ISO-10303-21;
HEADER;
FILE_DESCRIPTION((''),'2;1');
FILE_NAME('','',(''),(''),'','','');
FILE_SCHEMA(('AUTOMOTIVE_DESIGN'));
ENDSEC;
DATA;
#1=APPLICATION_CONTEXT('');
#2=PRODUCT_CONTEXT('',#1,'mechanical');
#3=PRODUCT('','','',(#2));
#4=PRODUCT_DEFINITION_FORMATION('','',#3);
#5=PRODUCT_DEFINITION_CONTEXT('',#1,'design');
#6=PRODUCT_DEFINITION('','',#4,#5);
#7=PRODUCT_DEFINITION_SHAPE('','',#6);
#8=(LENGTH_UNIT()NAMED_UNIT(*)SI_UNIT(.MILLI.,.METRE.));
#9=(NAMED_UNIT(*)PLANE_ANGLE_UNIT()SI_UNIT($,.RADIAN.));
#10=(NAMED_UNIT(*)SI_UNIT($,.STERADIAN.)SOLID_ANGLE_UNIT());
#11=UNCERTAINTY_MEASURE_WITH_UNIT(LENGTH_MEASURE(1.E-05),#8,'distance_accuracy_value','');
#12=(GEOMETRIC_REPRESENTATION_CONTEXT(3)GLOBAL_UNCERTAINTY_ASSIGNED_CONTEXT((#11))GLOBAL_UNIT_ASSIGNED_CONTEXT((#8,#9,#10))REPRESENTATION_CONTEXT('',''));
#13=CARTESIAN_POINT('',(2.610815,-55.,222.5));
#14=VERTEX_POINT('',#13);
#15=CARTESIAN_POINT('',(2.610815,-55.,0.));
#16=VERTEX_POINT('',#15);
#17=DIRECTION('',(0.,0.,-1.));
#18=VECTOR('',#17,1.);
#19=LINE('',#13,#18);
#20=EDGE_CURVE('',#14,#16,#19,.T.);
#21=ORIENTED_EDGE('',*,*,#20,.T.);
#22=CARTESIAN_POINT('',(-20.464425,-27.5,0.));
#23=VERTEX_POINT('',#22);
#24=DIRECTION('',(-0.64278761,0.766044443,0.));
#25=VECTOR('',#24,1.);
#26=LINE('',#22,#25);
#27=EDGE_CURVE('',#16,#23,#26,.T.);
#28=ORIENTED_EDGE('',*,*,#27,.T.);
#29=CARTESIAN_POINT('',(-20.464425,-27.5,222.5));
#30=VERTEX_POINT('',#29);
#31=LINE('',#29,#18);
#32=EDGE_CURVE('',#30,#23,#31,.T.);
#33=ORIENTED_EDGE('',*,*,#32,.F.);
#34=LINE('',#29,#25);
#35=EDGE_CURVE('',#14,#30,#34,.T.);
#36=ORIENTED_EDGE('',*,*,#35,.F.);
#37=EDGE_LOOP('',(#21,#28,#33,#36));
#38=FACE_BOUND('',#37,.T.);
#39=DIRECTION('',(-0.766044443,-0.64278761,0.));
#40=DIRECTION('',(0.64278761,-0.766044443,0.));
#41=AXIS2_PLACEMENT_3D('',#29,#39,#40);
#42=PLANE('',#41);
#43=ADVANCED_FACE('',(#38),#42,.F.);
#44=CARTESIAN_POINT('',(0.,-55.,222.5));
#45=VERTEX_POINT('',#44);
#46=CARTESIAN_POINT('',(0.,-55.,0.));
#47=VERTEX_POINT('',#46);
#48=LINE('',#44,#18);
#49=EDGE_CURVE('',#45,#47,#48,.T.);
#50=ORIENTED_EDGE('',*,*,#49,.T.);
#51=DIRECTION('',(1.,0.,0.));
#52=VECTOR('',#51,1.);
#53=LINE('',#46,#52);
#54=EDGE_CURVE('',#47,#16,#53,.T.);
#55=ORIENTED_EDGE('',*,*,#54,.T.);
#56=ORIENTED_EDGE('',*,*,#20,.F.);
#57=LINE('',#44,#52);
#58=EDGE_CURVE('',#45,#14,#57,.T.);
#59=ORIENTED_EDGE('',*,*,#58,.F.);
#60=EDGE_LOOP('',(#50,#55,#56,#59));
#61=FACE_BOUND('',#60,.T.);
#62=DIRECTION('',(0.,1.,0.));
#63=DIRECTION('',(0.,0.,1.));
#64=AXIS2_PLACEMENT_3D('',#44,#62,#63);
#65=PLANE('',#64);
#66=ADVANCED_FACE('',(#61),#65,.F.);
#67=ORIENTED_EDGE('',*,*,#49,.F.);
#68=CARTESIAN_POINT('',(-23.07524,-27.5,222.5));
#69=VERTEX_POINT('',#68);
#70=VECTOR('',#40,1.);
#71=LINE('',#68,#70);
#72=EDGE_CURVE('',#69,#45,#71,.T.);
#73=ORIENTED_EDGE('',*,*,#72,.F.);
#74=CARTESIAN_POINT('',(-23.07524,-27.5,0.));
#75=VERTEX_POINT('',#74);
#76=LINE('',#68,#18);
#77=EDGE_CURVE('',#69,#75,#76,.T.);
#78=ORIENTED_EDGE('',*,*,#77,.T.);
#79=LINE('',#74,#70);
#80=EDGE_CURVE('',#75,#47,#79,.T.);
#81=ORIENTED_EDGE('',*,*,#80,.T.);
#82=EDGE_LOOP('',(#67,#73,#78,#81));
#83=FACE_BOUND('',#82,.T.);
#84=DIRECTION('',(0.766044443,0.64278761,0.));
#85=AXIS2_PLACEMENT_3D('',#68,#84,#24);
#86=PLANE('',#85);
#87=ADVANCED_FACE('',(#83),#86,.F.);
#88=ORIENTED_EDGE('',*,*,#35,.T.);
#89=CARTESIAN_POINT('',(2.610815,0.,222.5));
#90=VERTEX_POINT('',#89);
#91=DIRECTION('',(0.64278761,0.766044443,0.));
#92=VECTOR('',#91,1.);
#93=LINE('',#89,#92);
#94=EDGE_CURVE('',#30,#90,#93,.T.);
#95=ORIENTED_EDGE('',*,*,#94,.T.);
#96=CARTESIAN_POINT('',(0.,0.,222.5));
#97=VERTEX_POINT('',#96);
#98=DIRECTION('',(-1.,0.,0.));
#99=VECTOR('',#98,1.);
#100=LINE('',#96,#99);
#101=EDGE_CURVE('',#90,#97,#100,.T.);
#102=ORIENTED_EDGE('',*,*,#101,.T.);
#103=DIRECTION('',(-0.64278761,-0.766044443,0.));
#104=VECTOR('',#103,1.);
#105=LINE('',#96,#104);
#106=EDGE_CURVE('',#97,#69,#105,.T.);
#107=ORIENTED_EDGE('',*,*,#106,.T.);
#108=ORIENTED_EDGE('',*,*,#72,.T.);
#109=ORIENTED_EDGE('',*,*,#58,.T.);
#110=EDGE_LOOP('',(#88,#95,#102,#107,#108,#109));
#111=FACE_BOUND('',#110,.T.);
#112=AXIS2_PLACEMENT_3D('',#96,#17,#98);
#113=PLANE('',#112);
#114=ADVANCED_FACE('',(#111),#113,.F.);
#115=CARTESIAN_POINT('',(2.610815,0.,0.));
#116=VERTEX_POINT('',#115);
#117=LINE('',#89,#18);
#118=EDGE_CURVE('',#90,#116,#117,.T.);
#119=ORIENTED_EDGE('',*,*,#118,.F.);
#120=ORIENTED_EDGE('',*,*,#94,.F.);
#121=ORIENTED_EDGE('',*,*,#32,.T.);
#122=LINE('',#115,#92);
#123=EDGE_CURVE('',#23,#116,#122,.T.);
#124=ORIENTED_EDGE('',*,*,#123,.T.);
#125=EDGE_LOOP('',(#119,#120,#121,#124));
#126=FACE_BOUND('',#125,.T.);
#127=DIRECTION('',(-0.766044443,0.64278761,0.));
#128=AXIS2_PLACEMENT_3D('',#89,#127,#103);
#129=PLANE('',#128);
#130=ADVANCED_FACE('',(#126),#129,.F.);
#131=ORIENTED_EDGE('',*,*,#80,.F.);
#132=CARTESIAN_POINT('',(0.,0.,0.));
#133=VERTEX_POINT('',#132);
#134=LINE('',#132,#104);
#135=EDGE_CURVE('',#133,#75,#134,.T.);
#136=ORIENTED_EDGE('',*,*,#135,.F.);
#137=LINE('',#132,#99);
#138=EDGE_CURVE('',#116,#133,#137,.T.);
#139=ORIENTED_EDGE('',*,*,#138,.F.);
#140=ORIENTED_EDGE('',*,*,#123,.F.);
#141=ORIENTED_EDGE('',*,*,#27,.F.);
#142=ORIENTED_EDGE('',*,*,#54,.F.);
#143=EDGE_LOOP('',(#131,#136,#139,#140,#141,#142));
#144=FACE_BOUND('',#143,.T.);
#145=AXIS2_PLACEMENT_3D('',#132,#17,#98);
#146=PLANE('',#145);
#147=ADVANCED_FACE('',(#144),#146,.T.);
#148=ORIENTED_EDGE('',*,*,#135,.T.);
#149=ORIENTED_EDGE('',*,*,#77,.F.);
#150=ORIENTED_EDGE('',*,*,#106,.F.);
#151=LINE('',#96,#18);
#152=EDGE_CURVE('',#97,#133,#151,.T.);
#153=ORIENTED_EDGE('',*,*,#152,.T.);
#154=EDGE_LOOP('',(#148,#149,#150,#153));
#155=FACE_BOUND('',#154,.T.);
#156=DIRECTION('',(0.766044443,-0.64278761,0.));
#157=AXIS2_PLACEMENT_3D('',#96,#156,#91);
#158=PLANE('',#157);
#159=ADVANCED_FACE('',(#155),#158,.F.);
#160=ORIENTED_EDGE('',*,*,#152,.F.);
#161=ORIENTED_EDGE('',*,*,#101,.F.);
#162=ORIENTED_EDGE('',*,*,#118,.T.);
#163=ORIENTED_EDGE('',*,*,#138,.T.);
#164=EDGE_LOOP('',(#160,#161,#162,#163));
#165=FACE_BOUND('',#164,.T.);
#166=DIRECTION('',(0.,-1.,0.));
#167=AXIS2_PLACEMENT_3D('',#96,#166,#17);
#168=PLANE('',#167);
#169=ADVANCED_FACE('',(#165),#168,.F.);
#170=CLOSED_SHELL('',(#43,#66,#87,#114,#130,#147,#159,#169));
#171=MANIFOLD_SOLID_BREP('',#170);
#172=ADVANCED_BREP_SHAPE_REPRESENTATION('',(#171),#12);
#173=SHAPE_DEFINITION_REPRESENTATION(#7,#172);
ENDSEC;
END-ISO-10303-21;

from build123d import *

# Parameters (mm, degrees)
BOSS_EXTRUDE1_DEPTH = 222.5


with BuildPart() as part:
    # Sketch1 → Boss-Extrude1 (new body)
    with BuildSketch(Plane.XY):
        Polygon((0, 0), (-23.075239857, -27.5), (0, -55), (2.610814579, -55), (-20.464425279, -27.5), (2.610814579, 0), align=None)
    extrude(amount=BOSS_EXTRUDE1_DEPTH)


solid = part.part
